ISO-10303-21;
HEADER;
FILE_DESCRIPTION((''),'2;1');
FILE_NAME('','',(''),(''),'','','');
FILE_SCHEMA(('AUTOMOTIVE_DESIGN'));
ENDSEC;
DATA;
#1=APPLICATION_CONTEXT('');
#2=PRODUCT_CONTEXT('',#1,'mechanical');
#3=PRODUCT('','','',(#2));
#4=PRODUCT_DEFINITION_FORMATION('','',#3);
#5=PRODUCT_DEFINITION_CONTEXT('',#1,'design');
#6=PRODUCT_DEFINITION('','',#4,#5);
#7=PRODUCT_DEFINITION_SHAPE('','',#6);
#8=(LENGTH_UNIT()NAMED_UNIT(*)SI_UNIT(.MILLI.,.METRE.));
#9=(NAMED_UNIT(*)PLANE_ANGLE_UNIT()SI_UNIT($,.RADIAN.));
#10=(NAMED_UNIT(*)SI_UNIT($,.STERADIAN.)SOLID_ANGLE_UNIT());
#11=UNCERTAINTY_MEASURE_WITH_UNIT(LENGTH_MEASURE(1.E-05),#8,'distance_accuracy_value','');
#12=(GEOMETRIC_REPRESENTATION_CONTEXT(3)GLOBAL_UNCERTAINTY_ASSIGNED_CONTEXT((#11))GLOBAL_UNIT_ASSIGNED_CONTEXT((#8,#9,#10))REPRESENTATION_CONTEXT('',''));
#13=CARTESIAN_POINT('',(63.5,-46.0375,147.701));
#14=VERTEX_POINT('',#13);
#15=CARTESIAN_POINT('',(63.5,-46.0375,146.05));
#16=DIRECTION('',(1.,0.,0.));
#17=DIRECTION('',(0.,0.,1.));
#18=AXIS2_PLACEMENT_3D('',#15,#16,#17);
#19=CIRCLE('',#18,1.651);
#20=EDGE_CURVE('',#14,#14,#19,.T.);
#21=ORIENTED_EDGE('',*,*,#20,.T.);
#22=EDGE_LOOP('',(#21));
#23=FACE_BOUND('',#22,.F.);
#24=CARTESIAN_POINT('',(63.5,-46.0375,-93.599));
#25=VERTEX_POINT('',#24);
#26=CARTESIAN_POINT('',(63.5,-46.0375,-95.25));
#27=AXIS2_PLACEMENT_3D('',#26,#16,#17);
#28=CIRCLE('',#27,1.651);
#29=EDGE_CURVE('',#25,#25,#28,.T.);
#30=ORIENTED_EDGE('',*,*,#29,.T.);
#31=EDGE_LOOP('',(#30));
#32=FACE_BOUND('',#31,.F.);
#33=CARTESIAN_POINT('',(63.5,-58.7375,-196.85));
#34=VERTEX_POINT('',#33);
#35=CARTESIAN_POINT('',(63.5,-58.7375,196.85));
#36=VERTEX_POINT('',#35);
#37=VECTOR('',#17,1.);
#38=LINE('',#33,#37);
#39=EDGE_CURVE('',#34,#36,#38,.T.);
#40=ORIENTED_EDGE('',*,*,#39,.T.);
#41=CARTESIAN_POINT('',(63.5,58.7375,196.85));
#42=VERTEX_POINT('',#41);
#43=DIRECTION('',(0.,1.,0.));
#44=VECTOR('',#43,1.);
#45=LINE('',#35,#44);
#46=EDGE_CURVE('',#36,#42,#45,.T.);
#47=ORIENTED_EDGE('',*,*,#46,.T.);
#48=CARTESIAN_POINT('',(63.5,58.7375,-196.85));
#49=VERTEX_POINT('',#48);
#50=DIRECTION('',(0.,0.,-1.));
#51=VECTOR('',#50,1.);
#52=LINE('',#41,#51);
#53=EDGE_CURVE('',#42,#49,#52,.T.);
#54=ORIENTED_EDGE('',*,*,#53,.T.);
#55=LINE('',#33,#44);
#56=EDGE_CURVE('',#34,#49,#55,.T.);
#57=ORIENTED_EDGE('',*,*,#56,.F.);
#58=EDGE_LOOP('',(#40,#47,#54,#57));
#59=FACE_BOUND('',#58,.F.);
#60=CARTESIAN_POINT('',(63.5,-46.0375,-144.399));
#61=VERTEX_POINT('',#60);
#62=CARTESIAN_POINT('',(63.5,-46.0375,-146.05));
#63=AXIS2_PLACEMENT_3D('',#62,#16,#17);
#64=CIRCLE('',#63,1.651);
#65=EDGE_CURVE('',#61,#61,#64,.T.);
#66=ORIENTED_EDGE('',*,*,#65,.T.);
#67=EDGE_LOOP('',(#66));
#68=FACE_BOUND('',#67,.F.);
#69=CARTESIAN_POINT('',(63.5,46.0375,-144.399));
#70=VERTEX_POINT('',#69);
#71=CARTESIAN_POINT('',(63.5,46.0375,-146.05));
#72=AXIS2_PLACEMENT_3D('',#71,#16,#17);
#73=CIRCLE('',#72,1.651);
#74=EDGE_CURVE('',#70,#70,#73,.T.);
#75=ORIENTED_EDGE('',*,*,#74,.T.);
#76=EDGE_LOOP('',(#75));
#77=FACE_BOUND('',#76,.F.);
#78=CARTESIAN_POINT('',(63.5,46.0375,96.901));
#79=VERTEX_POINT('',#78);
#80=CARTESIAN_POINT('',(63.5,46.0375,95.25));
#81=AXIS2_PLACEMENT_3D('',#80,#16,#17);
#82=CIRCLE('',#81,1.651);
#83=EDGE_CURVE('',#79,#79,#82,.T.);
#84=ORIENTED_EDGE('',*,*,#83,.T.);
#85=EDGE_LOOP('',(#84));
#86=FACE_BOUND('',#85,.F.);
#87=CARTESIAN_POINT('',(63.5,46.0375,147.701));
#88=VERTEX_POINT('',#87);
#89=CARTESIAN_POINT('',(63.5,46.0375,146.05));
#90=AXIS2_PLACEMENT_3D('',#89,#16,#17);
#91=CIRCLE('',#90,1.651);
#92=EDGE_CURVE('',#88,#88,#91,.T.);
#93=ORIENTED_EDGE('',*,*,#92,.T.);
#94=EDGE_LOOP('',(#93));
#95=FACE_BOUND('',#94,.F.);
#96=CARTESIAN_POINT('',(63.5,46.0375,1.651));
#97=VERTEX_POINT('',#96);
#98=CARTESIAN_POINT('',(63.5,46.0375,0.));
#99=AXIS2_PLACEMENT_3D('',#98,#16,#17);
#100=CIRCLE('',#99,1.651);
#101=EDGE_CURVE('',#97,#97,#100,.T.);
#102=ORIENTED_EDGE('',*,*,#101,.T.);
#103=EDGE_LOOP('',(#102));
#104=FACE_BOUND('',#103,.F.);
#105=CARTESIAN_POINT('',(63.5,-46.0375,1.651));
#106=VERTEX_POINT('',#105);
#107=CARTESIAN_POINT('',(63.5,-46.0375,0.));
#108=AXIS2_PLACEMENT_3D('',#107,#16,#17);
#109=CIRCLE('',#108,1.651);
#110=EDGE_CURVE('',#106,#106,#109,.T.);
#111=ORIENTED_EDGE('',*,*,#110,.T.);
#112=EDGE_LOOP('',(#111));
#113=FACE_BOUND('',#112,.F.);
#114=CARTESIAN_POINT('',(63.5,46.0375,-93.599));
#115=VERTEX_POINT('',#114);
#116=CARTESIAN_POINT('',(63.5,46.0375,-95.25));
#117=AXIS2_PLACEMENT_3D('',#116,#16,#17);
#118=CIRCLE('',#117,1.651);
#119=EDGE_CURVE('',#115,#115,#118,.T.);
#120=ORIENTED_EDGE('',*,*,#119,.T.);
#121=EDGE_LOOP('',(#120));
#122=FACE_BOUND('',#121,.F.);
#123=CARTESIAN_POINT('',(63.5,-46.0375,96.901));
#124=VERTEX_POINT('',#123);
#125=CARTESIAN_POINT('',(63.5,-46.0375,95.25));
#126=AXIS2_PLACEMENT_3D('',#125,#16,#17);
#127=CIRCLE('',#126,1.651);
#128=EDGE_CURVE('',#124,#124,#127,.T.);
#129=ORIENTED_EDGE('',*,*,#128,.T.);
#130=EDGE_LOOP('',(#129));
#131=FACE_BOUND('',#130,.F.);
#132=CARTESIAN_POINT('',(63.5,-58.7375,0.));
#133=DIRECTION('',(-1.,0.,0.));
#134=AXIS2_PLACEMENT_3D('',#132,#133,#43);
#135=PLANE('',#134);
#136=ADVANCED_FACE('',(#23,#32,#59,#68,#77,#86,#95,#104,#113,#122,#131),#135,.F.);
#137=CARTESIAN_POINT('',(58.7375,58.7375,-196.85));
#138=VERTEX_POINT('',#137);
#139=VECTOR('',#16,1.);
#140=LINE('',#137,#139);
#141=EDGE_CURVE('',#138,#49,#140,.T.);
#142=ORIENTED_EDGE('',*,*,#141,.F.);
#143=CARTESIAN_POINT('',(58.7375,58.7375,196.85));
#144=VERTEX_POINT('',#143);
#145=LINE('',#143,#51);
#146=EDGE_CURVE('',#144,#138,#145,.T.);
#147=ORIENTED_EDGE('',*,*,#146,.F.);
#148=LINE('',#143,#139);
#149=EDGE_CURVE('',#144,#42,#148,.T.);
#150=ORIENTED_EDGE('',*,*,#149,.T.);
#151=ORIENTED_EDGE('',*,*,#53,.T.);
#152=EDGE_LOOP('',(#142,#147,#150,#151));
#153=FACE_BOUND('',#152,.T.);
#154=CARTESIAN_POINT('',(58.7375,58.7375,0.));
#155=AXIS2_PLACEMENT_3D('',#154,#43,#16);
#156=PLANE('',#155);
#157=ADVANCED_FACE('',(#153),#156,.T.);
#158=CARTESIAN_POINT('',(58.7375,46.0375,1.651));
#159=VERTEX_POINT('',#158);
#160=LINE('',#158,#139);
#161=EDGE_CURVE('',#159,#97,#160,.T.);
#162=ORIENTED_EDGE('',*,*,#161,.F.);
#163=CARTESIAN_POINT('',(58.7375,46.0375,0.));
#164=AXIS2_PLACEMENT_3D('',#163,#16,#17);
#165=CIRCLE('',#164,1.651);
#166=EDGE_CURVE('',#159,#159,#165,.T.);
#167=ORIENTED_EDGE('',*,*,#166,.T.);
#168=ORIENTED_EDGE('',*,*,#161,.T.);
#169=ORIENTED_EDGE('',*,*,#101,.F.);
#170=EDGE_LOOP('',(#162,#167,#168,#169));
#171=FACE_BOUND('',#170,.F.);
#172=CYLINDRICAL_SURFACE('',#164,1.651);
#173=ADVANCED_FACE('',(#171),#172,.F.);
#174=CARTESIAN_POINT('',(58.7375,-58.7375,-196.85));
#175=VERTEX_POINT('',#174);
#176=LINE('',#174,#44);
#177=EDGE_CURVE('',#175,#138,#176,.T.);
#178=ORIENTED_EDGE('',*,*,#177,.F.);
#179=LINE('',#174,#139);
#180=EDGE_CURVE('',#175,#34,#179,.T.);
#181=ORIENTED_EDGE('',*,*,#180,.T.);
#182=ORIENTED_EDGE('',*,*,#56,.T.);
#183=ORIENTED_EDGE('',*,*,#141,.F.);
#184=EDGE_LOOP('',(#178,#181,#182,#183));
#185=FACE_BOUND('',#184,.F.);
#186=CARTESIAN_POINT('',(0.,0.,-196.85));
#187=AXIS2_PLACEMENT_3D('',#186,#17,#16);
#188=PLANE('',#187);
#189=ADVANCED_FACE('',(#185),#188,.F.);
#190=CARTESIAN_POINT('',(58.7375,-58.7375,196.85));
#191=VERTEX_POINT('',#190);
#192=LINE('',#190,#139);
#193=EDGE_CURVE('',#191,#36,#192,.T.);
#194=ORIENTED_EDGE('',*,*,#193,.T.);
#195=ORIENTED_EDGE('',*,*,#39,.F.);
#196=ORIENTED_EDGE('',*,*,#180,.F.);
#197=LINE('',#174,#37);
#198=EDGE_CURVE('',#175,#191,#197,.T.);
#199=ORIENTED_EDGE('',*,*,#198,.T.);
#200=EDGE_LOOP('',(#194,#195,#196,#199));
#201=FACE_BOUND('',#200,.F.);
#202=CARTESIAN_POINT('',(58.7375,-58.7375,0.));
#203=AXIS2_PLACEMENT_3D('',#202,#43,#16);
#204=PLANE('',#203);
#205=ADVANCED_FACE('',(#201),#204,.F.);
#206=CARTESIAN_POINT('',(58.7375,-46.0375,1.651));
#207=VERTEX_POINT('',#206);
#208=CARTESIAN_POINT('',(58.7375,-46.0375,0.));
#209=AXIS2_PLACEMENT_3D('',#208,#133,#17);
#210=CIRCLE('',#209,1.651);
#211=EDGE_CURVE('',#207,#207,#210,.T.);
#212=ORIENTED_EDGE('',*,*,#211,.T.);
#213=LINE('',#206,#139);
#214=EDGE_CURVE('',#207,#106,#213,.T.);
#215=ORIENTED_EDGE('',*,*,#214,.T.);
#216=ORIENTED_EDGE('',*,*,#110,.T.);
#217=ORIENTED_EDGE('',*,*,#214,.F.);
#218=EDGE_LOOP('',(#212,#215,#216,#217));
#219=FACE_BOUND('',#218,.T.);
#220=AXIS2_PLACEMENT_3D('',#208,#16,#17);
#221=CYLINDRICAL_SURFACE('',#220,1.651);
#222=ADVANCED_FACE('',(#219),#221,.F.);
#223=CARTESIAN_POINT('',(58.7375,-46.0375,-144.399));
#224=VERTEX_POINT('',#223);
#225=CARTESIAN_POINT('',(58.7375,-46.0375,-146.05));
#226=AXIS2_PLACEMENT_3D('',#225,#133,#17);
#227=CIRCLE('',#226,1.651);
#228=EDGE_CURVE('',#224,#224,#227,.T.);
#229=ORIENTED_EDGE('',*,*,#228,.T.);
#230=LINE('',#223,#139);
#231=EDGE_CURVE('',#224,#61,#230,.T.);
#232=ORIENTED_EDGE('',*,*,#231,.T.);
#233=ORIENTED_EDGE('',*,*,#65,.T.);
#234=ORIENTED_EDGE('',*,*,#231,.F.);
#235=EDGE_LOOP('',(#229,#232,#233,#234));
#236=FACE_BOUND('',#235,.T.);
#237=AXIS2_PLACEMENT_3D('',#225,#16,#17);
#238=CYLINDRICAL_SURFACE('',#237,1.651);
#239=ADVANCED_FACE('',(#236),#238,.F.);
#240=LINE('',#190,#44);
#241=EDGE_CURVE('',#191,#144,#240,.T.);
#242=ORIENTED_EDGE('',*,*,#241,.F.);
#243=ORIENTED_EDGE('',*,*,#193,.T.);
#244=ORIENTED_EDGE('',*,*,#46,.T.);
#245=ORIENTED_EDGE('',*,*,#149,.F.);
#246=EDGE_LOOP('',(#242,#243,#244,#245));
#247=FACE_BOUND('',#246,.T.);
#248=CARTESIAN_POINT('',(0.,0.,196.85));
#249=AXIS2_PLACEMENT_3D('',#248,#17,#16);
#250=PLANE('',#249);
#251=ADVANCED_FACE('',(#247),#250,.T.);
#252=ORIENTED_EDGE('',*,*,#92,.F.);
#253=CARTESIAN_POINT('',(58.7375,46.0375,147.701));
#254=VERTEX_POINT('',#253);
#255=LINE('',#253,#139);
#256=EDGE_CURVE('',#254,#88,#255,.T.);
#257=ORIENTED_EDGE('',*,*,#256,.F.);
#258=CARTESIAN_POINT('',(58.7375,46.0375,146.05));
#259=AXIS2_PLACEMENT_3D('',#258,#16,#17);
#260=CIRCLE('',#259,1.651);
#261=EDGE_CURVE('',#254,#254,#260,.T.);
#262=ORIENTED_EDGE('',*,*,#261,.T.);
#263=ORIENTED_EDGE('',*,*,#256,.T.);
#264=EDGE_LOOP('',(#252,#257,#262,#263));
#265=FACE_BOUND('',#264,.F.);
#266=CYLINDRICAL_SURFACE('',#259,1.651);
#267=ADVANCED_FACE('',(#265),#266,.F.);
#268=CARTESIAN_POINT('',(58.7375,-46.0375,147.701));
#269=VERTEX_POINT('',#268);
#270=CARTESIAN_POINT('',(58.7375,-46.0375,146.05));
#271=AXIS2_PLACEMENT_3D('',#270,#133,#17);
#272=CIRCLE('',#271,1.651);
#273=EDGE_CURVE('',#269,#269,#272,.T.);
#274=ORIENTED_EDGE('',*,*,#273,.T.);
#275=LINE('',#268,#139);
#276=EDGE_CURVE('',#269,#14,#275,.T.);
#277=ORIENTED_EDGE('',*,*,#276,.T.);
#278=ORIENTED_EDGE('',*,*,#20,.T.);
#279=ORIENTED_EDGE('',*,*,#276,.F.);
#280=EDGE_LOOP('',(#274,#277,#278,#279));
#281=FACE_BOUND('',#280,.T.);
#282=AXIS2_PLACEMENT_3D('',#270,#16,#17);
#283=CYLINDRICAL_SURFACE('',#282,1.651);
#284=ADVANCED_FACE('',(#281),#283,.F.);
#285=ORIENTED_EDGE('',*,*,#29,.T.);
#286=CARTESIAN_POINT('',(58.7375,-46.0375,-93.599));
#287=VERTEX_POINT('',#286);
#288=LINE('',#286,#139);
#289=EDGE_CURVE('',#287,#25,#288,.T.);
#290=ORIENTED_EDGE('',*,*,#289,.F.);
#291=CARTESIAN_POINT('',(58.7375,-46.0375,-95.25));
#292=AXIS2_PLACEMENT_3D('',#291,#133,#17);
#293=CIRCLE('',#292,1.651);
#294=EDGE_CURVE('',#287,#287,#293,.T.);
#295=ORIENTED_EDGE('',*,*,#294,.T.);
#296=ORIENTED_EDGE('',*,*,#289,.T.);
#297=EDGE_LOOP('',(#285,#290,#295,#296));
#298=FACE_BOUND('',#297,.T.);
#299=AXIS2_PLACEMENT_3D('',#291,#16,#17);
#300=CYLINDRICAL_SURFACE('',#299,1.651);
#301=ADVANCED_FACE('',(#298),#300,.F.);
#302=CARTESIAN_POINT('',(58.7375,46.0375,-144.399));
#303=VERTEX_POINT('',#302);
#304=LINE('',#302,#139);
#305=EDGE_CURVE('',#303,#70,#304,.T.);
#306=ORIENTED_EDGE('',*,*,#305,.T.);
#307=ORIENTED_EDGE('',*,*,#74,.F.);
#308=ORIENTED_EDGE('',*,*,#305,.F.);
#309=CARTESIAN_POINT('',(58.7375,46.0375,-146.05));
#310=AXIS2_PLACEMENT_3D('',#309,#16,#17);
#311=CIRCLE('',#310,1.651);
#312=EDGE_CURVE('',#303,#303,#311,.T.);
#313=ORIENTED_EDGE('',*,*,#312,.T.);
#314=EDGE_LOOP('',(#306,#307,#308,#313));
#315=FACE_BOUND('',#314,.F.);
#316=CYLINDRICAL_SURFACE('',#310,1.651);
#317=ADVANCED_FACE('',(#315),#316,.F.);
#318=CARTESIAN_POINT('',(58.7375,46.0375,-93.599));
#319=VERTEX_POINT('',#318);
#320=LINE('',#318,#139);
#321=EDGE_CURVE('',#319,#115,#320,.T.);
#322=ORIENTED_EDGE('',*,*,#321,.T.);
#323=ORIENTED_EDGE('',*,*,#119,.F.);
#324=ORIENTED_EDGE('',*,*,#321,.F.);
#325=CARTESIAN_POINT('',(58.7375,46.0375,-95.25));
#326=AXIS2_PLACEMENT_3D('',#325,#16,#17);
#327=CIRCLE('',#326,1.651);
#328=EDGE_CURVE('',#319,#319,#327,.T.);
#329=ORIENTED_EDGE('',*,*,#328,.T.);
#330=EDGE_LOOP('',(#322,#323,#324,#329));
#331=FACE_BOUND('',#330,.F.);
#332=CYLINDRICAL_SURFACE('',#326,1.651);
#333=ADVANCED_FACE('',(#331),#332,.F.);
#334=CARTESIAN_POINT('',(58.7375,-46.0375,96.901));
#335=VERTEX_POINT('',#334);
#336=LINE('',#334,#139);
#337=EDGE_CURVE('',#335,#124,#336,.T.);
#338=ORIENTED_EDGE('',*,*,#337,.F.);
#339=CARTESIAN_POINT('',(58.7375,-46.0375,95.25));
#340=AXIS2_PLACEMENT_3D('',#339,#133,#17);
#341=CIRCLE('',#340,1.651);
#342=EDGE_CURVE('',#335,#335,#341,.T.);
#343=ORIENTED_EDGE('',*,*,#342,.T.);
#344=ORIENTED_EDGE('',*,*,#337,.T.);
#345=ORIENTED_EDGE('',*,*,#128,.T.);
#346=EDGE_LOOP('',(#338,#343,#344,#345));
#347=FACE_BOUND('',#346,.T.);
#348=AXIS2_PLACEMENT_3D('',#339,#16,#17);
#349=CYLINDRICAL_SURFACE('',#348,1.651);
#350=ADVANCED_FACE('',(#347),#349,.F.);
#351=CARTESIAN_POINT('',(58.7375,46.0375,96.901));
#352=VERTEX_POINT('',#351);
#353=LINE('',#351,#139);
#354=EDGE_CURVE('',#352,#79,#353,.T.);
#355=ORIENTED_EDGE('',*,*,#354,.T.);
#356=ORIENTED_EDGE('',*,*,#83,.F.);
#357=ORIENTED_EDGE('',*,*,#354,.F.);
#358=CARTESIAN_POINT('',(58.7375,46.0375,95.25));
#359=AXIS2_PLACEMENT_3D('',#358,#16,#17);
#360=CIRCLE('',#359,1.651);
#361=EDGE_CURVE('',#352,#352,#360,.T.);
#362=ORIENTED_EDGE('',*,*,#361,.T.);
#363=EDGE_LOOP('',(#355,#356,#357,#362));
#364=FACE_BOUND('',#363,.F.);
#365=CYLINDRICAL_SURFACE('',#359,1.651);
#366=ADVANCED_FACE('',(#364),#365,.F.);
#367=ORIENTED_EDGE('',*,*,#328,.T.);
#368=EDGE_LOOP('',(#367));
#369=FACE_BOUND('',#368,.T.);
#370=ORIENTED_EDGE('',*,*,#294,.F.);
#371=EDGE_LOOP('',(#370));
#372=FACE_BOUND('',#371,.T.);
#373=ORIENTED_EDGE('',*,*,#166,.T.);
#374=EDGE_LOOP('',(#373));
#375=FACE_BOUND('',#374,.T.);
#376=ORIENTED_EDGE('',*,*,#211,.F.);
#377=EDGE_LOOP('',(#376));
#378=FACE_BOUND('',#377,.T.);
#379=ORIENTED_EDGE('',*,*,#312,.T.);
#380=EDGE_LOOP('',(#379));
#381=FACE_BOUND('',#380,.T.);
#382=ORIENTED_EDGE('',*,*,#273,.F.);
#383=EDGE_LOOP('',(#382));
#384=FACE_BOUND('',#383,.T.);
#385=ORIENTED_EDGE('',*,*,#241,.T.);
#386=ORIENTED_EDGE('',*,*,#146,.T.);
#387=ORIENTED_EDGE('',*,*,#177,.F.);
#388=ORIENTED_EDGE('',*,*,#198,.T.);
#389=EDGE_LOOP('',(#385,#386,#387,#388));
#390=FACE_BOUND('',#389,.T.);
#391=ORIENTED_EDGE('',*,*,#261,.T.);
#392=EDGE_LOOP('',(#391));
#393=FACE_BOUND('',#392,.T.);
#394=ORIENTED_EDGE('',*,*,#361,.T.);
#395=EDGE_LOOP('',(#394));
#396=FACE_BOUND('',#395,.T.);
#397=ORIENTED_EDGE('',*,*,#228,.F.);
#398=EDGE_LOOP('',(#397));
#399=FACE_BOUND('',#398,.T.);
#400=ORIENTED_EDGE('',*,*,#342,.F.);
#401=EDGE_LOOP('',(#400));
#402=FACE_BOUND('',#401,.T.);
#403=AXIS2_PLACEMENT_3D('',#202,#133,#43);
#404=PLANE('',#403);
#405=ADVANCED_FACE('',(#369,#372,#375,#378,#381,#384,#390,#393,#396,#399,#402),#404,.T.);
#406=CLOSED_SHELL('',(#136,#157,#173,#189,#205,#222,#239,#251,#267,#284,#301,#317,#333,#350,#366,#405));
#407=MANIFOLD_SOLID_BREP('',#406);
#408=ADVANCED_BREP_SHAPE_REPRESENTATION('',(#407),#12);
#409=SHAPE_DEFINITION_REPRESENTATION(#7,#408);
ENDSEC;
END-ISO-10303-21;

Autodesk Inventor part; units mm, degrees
ref_plane "YZ Plane" through (0, 0, 0) normal (1, 0, 0) x (0, 1, 0)
ref_plane "XZ Plane" through (0, 0, 0) normal (0, 1, 0) x (-1, 0, 0)
ref_plane "XY Plane" through (0, 0, 0) normal (0, 0, 1) x (1, 0, 0)
sketch "Sketch3" plane through (0, 0, 0) normal (0, 0, 1) x (1, 0, 0)
  line L0 (-58.7375, -58.7375) -> (58.7375, -58.7375)
  line L1 (58.7375, -58.7375) -> (58.7375, 58.7375)
  line L2 (58.7375, 58.7375) -> (-58.7375, 58.7375)
  line L3 (-58.7375, 58.7375) -> (-58.7375, -58.7375)
  line L4 (-58.7375, -58.7375) -> (58.7375, 58.7375) construction
  line L5 (58.7375, -58.7375) -> (-58.7375, 58.7375) construction
  line L6 (63.5, -58.7375) -> (63.5, 58.7375)
  line L7 (-63.5, 58.7375) -> (-63.5, -58.7375)
  line L8 (-58.7375, 58.7375) -> (-63.5, 58.7375)
  line L9 (58.7375, 58.7375) -> (63.5, 58.7375)
  line L10 (58.7375, -58.7375) -> (63.5, -58.7375)
  line L11 (-58.7375, -58.7375) -> (-63.5, -58.7375)
  point P0 (0, 0)
  dimension "d28" = 117.475
  dimension "d29" = 117.475
  dimension "d30" = 4.7625
  dimension "d40" = 4.7625
extrude "Extrusion3" add sketch "Sketch3" along normal mid plane 393.7 contours L1 L9 L6 L10
sketch "Sketch7" plane through (58.7375, -58.7375, 196.85) normal (-1, 0, 0) x (0, 0, 1)
  line L0 (-393.7, 0) -> (0, 0) projected
  line L1 (0, 117.475) -> (0, 0) projected
  line L2 (0, 117.475) -> (-393.7, 117.475) projected
  line L3 (-393.7, 0) -> (-393.7, 117.475) projected
  line L4 (-393.7, 117.475) -> (-393.7, 0) projected
  line L5 (-393.7, 104.775) -> (0, 104.775)
  point P0 (-196.85, 58.7375)
  point P1 (-342.9, 104.775)
  point P2 (-196.85, 104.775)
  point P3 (-292.1, 104.775)
  point P4 (-50.8, 104.775)
  point P5 (-101.6, 104.775)
  dimension "d47" = 12.7
  dimension "d48" = 50.8
  dimension "d49" = 50.8
  dimension "d50" = 50.8
  dimension "d51" = 50.8
hole "Hole2" at (58.7375, 46.0375, -146.05) at (58.7375, 46.0375, 0) at (58.7375, 46.0375, -95.25) at (58.7375, 46.0375, 146.05) at (58.7375, 46.0375, 95.25) direction (1, 0, 0) diameter 3.302 depth 12.446 tip angle 118 thread size "8-32 UNC" class "2B" standard "ANSI Unified Screw Threads"
mirror "Mirror7" about plane through (0, 0, 0) normal (0, 1, 0) of "Hole2"
equation "\"d40\" = d30"
equation "\"d49\" = d48"
equation "\"d50\" = d48"
equation "\"d51\" = d50"
properties part number "1212_Flat Connector_V1" material "GFRP"
